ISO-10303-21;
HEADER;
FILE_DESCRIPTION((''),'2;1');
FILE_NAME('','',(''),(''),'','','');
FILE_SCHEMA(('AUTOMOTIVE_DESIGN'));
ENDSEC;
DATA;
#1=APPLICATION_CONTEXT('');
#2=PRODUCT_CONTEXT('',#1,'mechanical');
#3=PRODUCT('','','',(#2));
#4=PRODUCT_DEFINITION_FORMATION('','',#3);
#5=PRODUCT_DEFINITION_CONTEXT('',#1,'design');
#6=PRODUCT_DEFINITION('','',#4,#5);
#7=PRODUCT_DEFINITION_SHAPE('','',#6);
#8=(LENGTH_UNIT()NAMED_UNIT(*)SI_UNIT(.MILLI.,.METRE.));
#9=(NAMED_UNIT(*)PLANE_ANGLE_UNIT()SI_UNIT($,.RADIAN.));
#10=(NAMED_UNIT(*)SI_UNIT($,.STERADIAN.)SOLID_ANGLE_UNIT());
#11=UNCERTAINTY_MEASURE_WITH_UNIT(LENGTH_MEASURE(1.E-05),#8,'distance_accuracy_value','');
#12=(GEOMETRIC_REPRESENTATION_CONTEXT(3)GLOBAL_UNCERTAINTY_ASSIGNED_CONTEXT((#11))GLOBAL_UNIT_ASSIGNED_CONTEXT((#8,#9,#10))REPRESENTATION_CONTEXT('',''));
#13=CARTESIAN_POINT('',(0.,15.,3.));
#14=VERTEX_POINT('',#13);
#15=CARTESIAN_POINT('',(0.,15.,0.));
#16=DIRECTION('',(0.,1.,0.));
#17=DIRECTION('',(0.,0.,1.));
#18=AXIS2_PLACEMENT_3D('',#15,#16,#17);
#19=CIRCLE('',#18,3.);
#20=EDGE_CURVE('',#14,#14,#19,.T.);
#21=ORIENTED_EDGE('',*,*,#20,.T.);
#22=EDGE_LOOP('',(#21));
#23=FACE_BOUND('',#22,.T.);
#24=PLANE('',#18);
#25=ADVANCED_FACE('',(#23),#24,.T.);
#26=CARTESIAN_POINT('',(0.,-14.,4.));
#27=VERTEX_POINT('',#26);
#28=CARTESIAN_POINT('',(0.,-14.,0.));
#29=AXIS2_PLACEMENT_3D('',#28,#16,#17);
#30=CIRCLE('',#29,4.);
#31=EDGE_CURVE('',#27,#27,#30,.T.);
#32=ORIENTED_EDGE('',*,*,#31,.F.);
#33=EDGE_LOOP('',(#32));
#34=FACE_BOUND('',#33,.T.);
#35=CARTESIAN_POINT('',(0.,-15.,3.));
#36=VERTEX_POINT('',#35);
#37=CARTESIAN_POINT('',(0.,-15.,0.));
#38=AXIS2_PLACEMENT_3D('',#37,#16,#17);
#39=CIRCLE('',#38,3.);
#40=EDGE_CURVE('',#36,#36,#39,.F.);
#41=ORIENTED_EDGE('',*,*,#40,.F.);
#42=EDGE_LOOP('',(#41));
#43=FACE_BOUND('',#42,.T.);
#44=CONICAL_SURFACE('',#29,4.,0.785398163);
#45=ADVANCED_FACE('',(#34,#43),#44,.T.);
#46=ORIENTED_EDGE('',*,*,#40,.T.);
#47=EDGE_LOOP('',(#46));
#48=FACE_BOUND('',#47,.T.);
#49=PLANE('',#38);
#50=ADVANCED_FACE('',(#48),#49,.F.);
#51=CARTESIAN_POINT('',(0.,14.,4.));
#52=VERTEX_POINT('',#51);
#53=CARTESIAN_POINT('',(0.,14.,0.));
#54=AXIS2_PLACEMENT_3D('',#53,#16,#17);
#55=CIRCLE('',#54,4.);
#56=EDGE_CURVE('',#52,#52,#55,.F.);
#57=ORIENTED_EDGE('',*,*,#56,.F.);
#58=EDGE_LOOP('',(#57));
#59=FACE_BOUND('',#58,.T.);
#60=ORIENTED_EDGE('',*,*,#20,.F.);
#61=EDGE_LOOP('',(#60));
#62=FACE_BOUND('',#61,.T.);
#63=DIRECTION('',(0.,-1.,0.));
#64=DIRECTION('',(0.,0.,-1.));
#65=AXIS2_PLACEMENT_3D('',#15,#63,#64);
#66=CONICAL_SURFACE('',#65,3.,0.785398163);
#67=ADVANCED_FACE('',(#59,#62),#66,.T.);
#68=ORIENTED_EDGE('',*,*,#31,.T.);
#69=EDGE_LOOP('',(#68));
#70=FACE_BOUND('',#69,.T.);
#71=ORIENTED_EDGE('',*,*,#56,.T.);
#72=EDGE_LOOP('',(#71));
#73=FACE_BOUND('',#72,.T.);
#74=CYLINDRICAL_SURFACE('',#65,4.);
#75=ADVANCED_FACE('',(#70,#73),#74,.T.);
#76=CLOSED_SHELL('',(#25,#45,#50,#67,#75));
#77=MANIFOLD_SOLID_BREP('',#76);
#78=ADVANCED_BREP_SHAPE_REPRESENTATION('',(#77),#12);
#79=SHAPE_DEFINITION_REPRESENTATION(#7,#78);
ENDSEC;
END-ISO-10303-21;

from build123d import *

# Parameters (mm, degrees)
SKETCH1_R           = 4
BOSS_EXTRUDE1_DEPTH = 15
CHAMFER1_SIZE       = 1


with BuildPart() as part:
    # Sketch1 → Boss-Extrude1 (new body, symmetric)
    with BuildSketch(Plane(origin=(0, 0, 0), x_dir=(1, 0, 0), z_dir=(0, 1, 0))):
        Circle(SKETCH1_R)
    extrude(amount=BOSS_EXTRUDE1_DEPTH, both=True)

    # Chamfer1
    chamfer1_edges = [part.edges().sort_by_distance(p)[0] for p in [
        (-4, -15, 0),
        (-4, 15, 0),
    ]]
    chamfer(chamfer1_edges, length=CHAMFER1_SIZE)


solid = part.part
